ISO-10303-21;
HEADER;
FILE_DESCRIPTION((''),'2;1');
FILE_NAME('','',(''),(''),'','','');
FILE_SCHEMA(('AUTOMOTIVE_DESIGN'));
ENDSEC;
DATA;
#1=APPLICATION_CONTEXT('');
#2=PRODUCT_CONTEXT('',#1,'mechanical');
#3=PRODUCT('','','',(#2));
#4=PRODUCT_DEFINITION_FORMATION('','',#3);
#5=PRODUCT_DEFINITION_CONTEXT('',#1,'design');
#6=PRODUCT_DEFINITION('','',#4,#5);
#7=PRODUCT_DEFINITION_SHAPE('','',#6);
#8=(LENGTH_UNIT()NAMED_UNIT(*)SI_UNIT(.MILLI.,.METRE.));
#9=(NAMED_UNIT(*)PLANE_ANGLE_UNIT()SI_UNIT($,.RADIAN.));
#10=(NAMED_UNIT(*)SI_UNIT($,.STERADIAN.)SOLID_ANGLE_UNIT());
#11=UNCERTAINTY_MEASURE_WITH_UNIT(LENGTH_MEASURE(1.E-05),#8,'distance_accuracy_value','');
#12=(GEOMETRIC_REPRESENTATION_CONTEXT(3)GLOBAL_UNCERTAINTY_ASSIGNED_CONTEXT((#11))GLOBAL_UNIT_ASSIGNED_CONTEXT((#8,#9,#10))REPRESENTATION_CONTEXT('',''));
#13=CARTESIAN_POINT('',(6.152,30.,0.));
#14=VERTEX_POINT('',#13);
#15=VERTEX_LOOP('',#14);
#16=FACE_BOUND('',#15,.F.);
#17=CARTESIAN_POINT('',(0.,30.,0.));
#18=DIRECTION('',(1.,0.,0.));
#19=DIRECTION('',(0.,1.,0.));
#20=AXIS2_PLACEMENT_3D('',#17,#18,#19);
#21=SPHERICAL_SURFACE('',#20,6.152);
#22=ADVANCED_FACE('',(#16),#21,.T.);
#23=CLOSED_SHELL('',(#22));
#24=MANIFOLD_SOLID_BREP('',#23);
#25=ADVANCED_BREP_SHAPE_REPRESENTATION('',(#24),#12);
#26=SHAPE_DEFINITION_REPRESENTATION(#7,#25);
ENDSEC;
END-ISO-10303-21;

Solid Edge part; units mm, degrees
sketch "Sketch1" plane through (0, 0, 0) normal (0, 0, 1) x (1, 0, 0)
  arc A0 (-6.152, 30) -> (6.152, 30) centre (0, 30) cw
  line L0 (6.152, 30) -> (-6.152, 30)
revolve "RevolvedProtrusion1" add sketch "Sketch1" angle 360 about axis through (50, 30, 0) along (-1, 0, 0)
properties material "Stainless steel"
